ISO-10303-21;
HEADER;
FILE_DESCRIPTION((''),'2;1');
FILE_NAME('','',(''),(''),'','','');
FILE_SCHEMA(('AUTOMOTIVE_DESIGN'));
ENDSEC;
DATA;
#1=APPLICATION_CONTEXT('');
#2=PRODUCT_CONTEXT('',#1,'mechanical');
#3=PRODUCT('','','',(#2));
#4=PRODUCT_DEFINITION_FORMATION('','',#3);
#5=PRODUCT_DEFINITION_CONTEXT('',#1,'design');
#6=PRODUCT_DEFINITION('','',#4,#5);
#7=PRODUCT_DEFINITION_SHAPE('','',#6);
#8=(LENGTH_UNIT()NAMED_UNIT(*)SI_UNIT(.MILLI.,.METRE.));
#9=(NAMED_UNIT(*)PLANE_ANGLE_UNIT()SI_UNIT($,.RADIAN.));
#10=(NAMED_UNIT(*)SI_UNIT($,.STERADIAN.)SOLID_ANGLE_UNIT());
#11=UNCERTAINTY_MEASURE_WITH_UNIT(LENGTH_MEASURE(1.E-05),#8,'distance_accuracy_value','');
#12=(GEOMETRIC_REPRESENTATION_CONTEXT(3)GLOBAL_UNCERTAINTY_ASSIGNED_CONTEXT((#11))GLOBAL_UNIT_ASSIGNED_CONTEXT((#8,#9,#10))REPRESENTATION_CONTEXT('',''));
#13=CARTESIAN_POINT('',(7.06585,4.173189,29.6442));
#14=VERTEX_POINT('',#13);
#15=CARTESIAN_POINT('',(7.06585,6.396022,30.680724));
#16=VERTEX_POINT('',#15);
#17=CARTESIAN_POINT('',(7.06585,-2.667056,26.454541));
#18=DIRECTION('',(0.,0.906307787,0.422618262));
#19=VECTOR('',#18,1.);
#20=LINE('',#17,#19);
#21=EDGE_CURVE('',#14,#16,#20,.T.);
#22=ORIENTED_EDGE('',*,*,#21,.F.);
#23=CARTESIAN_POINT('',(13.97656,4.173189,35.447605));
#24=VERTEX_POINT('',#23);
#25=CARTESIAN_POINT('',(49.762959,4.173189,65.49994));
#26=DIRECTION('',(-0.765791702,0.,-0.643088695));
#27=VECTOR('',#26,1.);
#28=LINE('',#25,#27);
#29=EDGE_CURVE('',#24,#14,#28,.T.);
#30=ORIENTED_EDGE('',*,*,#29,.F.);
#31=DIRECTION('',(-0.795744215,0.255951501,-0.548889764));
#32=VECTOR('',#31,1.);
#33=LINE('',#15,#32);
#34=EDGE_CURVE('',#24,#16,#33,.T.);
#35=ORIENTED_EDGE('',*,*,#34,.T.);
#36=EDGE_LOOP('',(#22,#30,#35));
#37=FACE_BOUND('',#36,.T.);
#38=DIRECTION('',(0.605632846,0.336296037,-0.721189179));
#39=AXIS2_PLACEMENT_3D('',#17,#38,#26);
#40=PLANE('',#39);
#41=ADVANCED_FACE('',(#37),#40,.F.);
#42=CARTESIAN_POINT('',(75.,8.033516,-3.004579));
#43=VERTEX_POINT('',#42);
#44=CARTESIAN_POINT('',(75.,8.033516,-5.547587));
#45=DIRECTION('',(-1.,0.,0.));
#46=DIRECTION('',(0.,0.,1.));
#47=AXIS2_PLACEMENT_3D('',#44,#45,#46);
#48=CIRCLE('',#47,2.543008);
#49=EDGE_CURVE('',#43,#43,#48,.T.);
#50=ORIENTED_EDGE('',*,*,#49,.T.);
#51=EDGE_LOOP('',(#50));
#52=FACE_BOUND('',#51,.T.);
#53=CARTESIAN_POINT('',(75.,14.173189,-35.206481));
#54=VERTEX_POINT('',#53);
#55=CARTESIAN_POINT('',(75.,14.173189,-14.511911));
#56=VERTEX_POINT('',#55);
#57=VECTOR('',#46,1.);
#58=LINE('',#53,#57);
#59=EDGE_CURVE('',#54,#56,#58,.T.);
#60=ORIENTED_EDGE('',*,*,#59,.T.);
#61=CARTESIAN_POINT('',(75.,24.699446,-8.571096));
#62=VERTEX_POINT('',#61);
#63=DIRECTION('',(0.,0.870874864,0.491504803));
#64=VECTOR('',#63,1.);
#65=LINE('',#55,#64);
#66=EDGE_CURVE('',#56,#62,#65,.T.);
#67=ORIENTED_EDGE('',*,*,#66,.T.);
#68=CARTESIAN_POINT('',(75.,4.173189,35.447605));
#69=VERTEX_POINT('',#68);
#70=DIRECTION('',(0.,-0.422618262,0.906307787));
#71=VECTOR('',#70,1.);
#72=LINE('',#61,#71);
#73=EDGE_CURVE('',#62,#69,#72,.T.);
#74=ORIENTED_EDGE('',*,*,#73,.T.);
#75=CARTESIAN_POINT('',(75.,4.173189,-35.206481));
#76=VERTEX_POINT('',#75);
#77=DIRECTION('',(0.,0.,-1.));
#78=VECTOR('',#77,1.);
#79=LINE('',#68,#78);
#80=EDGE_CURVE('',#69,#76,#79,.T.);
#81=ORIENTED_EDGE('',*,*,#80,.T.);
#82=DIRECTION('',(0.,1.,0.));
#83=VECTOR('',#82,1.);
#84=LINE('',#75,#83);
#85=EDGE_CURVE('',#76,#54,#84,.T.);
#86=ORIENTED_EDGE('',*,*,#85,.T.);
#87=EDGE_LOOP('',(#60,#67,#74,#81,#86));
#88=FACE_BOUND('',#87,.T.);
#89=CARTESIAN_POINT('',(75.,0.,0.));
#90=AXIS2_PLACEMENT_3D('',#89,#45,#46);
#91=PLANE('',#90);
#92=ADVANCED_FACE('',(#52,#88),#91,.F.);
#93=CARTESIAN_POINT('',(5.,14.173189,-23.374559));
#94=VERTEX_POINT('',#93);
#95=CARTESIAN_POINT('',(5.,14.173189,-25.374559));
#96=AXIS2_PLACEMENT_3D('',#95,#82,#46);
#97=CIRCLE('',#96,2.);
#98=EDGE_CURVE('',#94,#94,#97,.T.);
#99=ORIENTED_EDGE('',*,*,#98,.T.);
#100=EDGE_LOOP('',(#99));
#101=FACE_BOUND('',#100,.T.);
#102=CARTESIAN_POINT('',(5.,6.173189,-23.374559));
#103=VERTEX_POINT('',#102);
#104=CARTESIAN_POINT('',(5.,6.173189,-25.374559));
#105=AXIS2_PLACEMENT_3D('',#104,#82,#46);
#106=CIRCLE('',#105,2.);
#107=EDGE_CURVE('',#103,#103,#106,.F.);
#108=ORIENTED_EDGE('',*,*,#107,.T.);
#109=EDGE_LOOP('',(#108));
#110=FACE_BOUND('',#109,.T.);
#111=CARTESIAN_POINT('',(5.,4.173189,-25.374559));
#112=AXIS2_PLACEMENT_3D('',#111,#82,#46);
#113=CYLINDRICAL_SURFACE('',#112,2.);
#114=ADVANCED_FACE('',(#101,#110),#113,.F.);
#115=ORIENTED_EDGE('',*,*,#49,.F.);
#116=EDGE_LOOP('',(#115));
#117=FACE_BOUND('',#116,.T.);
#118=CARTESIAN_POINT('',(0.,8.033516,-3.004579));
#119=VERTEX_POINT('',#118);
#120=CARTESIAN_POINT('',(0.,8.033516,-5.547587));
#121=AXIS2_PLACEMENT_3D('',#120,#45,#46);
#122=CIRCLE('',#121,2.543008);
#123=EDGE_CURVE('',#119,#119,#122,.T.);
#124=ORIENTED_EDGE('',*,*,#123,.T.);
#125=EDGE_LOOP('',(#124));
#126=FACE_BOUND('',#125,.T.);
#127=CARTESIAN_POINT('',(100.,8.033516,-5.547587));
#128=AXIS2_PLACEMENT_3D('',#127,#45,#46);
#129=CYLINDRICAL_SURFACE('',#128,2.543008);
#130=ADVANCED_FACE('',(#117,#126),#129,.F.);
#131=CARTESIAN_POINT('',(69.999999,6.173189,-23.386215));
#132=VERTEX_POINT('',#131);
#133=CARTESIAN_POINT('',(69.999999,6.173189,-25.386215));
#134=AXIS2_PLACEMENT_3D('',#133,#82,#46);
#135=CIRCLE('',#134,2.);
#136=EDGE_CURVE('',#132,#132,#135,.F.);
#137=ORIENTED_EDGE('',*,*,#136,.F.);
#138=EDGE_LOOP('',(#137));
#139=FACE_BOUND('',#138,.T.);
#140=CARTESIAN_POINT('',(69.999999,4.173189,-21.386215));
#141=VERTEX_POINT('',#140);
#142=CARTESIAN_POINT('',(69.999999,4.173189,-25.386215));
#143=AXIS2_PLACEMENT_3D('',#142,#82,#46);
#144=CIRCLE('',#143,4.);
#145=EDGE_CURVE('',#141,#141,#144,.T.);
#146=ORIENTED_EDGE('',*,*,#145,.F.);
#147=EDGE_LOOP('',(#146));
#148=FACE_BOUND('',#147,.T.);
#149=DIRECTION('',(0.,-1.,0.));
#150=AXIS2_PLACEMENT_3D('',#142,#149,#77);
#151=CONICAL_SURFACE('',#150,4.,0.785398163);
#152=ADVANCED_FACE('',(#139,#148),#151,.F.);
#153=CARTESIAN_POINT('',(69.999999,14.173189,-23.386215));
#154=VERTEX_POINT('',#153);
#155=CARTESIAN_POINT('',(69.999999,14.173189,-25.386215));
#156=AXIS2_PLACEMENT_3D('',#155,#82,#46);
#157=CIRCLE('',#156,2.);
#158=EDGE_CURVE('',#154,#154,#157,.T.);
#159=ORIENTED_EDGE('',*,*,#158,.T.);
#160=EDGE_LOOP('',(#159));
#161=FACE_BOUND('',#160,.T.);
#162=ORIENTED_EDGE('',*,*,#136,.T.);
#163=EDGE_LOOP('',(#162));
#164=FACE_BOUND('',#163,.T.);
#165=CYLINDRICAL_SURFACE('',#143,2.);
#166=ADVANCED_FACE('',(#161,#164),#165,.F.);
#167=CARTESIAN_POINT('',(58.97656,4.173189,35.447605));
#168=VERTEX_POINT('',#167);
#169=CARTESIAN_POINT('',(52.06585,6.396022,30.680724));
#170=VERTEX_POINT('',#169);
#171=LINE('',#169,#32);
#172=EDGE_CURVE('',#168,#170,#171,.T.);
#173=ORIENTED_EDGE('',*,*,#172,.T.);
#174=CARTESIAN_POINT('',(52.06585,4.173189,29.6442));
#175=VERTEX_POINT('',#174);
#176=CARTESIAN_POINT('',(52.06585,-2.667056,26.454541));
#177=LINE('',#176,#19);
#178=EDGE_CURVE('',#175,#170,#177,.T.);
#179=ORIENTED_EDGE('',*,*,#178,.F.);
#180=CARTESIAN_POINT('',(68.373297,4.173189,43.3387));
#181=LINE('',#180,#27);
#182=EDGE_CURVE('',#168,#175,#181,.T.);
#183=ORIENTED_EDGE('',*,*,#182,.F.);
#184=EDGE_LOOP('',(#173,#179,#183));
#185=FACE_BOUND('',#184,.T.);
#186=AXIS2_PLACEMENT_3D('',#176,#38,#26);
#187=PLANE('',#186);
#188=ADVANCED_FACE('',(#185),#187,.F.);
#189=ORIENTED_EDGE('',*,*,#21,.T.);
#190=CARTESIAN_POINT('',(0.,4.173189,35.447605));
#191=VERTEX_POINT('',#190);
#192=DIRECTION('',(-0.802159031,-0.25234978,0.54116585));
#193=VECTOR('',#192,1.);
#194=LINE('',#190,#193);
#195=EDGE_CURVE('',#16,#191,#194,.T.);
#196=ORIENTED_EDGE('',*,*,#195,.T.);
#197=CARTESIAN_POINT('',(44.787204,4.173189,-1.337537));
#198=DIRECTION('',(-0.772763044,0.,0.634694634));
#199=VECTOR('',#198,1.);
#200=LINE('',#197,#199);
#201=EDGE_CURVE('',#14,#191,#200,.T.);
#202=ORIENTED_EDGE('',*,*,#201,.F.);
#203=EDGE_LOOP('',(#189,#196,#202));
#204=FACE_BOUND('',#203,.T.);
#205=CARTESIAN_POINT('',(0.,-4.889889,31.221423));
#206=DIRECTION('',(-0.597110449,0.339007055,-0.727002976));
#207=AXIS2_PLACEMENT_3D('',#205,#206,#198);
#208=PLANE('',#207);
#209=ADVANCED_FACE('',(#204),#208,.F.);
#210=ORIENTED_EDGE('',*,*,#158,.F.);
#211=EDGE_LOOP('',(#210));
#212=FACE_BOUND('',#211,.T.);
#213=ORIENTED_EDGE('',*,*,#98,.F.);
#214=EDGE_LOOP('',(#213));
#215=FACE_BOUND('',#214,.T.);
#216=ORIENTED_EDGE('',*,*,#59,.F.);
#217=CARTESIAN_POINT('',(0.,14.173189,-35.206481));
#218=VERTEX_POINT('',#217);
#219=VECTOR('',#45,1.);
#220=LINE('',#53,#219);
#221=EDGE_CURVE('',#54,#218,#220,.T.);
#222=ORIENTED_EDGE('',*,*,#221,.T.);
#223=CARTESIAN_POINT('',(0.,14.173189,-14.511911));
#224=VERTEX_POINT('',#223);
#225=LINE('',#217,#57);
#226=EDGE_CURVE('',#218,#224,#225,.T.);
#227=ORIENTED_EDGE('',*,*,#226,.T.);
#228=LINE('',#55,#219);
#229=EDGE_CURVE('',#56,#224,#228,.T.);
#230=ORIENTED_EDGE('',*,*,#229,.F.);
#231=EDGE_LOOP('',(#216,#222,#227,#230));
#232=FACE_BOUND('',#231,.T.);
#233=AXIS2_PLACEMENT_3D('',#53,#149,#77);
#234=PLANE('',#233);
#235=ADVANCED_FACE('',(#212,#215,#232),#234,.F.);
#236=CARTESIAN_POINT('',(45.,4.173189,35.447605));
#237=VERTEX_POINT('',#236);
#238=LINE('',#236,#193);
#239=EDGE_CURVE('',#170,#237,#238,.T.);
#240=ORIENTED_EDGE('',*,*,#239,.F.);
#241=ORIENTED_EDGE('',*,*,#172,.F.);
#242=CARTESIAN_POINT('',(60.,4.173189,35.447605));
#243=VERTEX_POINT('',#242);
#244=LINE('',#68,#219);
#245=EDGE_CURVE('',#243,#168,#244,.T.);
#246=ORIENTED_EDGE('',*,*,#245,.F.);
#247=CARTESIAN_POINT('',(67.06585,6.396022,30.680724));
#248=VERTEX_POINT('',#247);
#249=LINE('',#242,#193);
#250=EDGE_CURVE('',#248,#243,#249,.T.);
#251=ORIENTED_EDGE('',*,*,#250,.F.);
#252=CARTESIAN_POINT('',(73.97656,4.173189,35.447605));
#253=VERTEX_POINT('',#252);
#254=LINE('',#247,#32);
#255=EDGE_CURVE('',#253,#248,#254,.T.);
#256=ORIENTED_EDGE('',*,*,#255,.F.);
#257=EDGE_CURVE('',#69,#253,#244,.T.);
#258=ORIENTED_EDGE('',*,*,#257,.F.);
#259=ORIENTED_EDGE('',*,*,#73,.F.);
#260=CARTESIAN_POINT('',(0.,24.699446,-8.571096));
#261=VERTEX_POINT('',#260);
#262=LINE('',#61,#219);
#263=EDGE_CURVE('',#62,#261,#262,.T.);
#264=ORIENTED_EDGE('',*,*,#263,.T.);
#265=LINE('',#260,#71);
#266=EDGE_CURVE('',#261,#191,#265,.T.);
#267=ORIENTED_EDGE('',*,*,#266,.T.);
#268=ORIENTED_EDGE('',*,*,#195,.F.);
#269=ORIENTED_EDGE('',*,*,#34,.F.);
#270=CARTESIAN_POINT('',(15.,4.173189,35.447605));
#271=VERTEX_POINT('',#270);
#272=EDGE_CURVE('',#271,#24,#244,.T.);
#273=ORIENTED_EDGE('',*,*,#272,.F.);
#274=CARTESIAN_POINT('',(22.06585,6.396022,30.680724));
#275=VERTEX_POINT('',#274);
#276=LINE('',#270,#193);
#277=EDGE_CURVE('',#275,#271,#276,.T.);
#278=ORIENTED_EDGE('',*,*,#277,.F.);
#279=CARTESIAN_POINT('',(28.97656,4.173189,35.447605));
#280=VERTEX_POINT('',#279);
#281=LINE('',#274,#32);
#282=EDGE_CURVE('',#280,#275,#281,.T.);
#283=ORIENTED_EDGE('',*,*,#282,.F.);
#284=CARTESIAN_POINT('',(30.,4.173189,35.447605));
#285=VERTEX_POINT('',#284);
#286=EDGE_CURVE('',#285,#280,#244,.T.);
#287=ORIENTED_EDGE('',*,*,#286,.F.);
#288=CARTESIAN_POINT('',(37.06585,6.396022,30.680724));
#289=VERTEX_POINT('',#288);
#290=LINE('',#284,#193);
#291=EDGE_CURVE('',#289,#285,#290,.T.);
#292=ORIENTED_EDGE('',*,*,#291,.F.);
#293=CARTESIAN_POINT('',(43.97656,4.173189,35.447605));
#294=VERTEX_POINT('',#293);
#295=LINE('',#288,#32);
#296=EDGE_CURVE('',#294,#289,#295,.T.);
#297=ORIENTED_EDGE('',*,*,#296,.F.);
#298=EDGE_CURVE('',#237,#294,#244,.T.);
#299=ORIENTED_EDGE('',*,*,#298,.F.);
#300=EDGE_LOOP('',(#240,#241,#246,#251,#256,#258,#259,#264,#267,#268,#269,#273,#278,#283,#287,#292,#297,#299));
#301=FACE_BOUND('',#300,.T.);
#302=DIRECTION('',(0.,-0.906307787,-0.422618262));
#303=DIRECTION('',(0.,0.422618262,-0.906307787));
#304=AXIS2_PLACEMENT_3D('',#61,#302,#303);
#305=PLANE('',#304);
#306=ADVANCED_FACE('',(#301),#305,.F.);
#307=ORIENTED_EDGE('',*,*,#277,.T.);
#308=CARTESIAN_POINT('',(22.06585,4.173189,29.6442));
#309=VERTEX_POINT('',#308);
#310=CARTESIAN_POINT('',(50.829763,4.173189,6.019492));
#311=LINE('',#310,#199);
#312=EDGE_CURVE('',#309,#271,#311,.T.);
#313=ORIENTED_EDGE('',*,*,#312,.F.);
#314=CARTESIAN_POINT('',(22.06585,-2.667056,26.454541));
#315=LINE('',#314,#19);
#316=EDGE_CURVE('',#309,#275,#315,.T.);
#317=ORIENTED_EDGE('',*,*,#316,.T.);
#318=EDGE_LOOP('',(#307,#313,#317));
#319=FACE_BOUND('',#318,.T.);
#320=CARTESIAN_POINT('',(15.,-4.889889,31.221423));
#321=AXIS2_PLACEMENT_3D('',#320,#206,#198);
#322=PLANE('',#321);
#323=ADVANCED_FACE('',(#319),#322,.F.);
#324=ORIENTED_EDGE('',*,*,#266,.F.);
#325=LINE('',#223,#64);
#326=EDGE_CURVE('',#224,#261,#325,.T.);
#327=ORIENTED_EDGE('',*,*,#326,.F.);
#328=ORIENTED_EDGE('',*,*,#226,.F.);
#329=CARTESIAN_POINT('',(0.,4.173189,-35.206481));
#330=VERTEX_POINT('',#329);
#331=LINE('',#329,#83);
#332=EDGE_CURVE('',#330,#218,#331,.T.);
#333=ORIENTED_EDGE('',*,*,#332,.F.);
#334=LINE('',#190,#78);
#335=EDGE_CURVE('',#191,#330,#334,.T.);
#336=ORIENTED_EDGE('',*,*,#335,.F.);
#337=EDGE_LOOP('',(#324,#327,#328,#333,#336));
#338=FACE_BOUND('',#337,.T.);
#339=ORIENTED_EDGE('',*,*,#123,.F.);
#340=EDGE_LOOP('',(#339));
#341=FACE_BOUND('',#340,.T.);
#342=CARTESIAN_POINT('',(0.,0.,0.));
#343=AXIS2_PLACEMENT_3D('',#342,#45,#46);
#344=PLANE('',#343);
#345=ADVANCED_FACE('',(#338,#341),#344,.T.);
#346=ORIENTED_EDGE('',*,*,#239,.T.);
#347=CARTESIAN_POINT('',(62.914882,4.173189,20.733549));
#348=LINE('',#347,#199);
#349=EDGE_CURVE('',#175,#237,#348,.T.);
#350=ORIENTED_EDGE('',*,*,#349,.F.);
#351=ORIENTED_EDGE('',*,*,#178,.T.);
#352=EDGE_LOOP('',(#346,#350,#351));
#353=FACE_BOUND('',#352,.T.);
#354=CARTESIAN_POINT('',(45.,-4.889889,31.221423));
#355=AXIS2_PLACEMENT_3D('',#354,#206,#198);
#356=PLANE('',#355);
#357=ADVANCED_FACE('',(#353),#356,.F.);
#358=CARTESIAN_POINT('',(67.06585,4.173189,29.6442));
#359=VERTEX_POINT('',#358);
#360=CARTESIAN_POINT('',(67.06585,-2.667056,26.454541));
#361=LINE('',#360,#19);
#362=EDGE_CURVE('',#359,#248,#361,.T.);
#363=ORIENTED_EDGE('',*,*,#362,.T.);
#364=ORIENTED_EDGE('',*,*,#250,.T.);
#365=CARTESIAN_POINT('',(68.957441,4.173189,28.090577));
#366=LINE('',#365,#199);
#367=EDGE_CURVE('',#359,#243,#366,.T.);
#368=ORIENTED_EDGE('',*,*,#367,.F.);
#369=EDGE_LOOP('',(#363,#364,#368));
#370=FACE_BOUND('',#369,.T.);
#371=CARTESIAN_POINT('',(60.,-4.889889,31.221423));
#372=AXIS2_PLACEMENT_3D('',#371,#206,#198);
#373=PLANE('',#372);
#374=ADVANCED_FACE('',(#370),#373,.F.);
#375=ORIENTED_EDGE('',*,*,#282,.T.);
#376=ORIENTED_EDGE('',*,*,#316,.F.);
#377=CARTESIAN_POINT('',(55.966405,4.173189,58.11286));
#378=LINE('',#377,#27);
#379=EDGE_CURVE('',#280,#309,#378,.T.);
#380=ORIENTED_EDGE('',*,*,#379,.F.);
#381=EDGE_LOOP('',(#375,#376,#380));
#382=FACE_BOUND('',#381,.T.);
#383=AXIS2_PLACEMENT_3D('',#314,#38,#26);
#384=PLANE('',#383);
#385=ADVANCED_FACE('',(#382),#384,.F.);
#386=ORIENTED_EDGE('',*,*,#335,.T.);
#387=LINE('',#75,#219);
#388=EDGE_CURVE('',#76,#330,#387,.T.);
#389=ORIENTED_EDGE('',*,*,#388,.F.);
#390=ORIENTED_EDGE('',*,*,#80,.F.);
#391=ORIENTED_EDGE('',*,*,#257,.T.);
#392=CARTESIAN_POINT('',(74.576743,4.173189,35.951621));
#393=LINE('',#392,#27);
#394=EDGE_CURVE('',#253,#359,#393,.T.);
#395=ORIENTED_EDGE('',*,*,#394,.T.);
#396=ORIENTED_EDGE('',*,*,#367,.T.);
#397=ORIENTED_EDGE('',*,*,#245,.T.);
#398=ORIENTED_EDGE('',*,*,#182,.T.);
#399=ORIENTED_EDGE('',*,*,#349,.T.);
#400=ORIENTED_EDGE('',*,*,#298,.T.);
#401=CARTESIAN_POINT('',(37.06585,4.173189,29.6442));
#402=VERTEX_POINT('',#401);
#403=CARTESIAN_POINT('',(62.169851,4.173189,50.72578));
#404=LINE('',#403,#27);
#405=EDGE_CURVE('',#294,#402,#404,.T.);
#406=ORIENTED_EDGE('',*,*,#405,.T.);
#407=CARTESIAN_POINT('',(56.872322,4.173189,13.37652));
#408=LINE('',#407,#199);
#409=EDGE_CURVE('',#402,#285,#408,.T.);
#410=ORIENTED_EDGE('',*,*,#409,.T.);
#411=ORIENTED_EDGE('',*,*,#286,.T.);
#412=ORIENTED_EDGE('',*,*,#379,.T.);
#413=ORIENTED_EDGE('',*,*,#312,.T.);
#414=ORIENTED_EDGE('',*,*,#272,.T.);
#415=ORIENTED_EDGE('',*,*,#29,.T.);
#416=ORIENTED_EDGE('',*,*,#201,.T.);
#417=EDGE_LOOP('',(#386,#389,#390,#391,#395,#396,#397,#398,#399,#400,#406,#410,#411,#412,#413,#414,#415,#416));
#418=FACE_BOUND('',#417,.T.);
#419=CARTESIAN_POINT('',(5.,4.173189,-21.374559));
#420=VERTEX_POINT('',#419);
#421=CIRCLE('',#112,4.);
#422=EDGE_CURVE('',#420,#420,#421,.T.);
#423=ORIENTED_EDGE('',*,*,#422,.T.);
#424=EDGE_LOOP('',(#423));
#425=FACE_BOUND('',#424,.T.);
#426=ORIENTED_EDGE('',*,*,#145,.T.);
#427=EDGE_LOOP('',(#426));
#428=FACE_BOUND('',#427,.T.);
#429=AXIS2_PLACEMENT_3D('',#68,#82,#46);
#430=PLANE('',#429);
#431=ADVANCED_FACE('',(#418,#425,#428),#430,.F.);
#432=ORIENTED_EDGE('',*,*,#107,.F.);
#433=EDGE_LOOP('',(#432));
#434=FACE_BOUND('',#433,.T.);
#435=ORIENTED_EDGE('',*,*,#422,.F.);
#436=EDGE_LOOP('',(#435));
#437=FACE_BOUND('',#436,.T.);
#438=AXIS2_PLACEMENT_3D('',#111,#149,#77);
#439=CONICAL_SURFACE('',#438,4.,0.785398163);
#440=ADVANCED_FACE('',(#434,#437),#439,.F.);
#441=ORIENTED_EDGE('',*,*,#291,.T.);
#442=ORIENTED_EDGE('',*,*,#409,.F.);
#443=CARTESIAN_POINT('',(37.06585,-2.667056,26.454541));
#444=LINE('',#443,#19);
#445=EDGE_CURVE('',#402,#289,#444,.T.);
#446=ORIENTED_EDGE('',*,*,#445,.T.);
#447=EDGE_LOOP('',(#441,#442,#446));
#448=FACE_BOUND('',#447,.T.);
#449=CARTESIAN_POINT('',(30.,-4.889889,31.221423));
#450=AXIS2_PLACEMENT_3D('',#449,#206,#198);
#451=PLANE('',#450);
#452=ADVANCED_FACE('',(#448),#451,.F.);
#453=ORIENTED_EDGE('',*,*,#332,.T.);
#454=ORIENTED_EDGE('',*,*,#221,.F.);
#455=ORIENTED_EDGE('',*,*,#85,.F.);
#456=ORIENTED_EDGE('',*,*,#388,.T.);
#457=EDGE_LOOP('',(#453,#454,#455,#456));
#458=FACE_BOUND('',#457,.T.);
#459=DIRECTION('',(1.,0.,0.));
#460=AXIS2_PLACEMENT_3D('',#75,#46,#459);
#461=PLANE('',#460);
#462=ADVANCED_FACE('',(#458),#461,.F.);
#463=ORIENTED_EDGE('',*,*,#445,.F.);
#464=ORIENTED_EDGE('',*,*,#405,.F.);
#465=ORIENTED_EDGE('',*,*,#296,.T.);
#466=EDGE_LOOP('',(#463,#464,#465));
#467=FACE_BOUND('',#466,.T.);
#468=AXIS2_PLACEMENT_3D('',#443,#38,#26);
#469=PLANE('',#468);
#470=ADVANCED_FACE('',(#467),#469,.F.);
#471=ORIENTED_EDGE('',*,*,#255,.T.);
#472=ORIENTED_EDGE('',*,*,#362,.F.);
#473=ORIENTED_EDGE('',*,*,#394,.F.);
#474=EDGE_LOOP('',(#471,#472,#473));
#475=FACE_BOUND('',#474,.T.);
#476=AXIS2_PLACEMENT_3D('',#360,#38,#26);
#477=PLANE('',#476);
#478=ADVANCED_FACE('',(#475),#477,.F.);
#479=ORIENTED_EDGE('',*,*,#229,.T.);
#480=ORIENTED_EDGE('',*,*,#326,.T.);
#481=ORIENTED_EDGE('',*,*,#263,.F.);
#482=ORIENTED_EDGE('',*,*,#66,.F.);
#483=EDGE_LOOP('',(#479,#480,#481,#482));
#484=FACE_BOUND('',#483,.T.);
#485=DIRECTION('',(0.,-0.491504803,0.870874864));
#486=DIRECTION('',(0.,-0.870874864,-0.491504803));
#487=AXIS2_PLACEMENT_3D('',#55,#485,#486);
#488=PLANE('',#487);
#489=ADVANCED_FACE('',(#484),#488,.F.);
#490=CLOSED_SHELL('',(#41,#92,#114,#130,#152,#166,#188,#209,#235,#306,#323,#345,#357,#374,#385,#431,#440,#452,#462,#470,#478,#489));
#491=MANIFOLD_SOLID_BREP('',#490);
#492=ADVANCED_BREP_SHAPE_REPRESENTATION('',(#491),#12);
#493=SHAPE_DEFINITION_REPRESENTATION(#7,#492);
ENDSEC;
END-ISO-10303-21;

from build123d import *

# Parameters (mm, degrees)
BOSS_EXTRUDE1_DEPTH = 75
SKETCH2_R           = 2
CUT_EXTRUDE1_DEPTH  = 10
CUT_EXTRUDE2_DEPTH  = 10
SKETCH3_R           = 2.543008444
CUT_EXTRUDE3_DEPTH  = 100
CHAMFER1_SIZE       = 2


with BuildPart() as part:
    # Sketch1 → Boss-Extrude1 (new body)
    with BuildSketch(Plane(origin=(0, 0, 0), x_dir=(0, 0, -1), z_dir=(1, 0, 0))):
        Polygon((-35.447605249, 4.173188871), (35.206481481, 4.173188871), (35.206481481, 14.173188871), (14.511910864, 14.173188871), (8.571096195, 24.699446456), align=None)
    extrude(amount=BOSS_EXTRUDE1_DEPTH)

    # Sketch2 → Cut-Extrude1 (cut)
    with BuildSketch(Plane(origin=(0, 14.173188871, 0), x_dir=(1, 0, 0), z_dir=(0, 1, 0))):
        with Locations(Location((5, 25.374559272, 0), (0, 0, 270))):
            Circle(SKETCH2_R)
        with Locations(Location((69.999998955, 25.38621548, 0), (0, 0, 270))):
            Circle(SKETCH2_R)
    extrude(amount=-CUT_EXTRUDE1_DEPTH, mode=Mode.SUBTRACT)

    # Sketch4 → Cut-Extrude2 (cut)
    with BuildSketch(Plane(origin=(0, 17.005051997, 7.929585973), x_dir=(1, 0, 0), z_dir=(0, 0.9063077870366527, 0.4226182617406937))):
        Polygon((0, -30.362774842), (7.065850082, -25.103103439), (13.976560291, -30.362774842), align=None)
        Polygon((22.065850082, -25.103103439), (28.976560291, -30.362774842), (15, -30.362774842), align=None)
        Polygon((37.065850082, -25.103103439), (43.976560291, -30.362774842), (30, -30.362774842), align=None)
        Polygon((52.065850082, -25.103103439), (58.976560291, -30.362774842), (45, -30.362774842), align=None)
        Polygon((67.065850082, -25.103103439), (73.976560291, -30.362774842), (60, -30.362774842), align=None)
    extrude(amount=-CUT_EXTRUDE2_DEPTH, mode=Mode.SUBTRACT)

    # Sketch3 → Cut-Extrude3 (cut)
    with BuildSketch(Plane.ZY):
        with Locations((-5.547587106, 8.033515635)):
            Circle(SKETCH3_R)
    extrude(amount=-CUT_EXTRUDE3_DEPTH, mode=Mode.SUBTRACT)

    # Chamfer1
    chamfer1_edges = [part.edges().sort_by_distance(p)[0] for p in [
        (5, 4.173188871, -27.374559272),
        (69.999998955, 4.173188871, -27.38621548),
    ]]
    chamfer(chamfer1_edges, length=CHAMFER1_SIZE)


solid = part.part
